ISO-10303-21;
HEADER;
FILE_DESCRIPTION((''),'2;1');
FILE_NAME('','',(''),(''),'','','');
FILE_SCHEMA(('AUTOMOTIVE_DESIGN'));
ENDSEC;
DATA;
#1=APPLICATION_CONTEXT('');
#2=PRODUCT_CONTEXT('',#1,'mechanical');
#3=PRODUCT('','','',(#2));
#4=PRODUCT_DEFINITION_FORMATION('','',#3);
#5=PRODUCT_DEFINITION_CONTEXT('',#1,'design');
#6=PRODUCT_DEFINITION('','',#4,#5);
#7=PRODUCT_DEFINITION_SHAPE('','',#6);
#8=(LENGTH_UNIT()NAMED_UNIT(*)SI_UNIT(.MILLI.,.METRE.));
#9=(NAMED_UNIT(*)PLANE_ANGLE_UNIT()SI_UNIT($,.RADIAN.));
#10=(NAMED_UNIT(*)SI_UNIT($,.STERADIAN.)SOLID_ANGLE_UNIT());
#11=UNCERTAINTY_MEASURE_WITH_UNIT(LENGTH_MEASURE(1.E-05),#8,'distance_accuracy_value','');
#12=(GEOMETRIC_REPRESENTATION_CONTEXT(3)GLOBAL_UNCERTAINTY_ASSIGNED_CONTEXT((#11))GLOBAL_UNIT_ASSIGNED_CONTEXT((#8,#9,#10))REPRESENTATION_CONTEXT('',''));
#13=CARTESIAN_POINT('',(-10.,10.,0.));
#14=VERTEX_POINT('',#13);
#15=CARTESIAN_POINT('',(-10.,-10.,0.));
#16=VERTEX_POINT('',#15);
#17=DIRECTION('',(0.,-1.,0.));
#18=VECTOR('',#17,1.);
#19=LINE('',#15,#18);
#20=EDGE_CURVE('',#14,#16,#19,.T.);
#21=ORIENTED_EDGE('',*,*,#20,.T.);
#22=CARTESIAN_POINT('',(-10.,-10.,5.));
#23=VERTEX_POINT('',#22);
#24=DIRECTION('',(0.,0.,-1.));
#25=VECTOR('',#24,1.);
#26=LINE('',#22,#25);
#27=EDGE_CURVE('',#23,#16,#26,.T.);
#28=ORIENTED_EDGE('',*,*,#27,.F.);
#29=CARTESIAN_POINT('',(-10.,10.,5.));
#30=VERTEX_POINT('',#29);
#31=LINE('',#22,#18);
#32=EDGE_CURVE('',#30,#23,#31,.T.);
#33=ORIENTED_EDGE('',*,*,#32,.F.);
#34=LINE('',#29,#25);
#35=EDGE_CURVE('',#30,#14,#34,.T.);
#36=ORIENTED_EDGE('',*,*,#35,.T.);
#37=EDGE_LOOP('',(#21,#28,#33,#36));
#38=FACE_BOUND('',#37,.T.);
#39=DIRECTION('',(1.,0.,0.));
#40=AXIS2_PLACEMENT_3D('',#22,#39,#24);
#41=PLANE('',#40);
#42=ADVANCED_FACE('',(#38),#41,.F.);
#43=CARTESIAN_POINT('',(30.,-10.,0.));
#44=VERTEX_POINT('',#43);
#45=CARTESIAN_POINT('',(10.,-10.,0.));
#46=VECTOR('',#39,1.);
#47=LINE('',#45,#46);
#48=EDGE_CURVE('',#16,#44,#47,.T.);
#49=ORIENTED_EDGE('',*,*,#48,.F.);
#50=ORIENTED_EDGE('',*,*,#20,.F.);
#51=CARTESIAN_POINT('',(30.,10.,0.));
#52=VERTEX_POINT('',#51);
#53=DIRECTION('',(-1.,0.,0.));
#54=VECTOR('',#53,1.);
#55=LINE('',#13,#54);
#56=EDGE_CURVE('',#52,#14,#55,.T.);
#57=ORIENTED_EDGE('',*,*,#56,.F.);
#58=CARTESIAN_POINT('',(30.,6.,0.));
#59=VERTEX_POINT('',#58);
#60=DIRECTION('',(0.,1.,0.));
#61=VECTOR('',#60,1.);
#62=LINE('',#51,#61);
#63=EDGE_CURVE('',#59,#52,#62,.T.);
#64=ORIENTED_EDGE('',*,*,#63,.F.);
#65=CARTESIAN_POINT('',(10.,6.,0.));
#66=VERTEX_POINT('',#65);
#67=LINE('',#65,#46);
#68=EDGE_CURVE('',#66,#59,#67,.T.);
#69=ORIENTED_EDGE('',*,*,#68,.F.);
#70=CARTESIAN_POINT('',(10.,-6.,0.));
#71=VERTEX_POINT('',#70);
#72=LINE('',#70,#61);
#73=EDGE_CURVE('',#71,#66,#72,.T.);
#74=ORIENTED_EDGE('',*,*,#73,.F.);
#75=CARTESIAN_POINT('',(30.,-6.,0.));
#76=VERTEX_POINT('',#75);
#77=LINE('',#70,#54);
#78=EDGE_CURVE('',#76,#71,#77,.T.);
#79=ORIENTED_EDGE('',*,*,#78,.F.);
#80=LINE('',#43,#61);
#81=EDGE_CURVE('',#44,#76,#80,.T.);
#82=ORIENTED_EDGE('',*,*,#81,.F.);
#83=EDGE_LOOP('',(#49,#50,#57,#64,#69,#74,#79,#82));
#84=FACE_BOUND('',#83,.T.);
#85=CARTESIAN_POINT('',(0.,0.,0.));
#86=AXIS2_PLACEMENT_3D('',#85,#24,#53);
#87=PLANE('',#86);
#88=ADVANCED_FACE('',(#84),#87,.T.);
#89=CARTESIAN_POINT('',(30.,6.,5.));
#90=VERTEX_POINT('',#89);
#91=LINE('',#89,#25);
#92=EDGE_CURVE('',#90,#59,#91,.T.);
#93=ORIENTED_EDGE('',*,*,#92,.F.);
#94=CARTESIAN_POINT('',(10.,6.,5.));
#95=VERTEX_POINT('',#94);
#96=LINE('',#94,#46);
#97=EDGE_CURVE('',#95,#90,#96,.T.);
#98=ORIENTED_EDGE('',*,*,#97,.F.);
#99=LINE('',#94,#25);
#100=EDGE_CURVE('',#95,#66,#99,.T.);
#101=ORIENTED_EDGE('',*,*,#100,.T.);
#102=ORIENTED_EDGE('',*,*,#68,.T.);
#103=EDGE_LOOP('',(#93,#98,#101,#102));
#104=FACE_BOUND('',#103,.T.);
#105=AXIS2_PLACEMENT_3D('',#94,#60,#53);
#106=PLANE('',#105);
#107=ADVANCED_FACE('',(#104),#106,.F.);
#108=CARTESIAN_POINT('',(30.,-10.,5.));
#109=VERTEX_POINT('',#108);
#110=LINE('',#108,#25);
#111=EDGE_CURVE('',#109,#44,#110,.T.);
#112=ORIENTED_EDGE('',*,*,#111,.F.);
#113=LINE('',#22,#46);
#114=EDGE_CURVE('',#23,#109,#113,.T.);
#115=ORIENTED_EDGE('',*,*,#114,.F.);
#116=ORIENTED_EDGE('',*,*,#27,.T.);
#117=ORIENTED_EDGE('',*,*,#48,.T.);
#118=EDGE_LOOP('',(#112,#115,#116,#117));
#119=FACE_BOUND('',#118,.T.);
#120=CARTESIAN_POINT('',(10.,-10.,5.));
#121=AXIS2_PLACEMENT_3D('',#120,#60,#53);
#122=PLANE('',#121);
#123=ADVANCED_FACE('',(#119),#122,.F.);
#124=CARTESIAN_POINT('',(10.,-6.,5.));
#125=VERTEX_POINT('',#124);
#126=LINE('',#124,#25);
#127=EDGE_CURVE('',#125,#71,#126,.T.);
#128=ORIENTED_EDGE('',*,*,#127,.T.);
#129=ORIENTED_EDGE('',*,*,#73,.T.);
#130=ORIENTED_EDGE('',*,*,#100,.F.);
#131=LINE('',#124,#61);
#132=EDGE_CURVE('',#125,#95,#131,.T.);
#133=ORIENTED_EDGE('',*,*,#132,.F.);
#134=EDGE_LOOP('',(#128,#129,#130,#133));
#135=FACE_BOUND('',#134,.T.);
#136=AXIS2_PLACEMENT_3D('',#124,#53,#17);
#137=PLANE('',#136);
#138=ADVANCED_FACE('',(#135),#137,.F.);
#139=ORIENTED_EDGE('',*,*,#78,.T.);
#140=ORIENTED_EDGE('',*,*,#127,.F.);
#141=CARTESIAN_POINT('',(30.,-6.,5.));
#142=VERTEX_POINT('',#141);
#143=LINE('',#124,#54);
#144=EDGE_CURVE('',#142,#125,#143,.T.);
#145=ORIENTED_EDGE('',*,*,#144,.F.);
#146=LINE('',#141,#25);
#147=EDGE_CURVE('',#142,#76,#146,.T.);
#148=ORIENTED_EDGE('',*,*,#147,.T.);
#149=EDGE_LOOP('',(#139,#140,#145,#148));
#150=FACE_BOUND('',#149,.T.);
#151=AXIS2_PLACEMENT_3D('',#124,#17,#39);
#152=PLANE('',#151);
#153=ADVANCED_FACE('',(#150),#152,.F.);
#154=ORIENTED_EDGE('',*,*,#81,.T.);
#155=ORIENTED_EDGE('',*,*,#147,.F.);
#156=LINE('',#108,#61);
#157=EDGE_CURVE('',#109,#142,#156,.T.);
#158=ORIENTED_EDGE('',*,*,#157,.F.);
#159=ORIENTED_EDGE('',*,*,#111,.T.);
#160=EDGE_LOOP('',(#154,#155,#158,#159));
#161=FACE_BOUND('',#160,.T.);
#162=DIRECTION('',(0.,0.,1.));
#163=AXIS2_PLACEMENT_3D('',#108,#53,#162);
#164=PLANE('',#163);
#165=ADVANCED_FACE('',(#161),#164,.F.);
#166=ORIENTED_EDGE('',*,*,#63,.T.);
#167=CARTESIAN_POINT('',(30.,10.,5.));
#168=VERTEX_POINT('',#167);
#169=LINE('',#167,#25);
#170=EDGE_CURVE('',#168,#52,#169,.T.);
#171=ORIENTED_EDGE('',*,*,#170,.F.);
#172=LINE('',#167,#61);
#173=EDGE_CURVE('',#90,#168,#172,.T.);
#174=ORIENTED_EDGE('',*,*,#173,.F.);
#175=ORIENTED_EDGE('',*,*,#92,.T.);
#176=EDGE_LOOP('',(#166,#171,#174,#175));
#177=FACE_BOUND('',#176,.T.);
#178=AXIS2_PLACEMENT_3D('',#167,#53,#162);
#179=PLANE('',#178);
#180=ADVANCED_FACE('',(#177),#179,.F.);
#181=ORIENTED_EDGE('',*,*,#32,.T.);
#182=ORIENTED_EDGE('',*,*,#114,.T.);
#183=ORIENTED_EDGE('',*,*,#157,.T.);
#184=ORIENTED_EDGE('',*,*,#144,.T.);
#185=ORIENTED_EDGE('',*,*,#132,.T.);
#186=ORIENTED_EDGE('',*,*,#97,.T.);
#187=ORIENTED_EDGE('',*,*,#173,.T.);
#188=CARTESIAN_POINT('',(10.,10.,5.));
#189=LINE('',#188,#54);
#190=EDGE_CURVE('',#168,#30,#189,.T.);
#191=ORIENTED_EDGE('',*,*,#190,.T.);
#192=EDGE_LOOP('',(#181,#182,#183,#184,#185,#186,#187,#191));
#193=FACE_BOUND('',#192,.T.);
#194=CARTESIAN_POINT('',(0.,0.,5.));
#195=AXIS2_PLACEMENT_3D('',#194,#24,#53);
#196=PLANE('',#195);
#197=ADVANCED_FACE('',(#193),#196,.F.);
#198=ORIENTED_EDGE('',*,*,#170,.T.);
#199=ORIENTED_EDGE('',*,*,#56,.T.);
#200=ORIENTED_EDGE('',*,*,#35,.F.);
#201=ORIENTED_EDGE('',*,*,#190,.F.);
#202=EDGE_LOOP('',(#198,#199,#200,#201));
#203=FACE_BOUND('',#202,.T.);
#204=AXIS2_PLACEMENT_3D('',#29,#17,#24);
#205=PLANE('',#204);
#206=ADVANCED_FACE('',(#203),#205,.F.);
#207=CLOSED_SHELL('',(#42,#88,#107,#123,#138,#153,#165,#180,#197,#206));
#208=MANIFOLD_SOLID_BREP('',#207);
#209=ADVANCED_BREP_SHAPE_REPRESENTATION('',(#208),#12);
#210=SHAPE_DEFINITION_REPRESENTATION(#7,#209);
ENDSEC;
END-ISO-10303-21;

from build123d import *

# Parameters (mm, degrees)
BOSS_EXTRUDE1_DEPTH = 5


with BuildPart() as part:
    # Sketch2 → Boss-Extrude1 (new body)
    with BuildSketch(Plane(origin=(0, 0, 0), x_dir=(0, 1, 0), z_dir=(0, 0, 1))):
        Polygon((-10, 10), (10, 10), (10, -10), (10, -30), (6, -30), (6, -10), (-6, -10), (-6, -30), (-10, -30), (-10, -10), align=None)
    extrude(amount=BOSS_EXTRUDE1_DEPTH)


solid = part.part
